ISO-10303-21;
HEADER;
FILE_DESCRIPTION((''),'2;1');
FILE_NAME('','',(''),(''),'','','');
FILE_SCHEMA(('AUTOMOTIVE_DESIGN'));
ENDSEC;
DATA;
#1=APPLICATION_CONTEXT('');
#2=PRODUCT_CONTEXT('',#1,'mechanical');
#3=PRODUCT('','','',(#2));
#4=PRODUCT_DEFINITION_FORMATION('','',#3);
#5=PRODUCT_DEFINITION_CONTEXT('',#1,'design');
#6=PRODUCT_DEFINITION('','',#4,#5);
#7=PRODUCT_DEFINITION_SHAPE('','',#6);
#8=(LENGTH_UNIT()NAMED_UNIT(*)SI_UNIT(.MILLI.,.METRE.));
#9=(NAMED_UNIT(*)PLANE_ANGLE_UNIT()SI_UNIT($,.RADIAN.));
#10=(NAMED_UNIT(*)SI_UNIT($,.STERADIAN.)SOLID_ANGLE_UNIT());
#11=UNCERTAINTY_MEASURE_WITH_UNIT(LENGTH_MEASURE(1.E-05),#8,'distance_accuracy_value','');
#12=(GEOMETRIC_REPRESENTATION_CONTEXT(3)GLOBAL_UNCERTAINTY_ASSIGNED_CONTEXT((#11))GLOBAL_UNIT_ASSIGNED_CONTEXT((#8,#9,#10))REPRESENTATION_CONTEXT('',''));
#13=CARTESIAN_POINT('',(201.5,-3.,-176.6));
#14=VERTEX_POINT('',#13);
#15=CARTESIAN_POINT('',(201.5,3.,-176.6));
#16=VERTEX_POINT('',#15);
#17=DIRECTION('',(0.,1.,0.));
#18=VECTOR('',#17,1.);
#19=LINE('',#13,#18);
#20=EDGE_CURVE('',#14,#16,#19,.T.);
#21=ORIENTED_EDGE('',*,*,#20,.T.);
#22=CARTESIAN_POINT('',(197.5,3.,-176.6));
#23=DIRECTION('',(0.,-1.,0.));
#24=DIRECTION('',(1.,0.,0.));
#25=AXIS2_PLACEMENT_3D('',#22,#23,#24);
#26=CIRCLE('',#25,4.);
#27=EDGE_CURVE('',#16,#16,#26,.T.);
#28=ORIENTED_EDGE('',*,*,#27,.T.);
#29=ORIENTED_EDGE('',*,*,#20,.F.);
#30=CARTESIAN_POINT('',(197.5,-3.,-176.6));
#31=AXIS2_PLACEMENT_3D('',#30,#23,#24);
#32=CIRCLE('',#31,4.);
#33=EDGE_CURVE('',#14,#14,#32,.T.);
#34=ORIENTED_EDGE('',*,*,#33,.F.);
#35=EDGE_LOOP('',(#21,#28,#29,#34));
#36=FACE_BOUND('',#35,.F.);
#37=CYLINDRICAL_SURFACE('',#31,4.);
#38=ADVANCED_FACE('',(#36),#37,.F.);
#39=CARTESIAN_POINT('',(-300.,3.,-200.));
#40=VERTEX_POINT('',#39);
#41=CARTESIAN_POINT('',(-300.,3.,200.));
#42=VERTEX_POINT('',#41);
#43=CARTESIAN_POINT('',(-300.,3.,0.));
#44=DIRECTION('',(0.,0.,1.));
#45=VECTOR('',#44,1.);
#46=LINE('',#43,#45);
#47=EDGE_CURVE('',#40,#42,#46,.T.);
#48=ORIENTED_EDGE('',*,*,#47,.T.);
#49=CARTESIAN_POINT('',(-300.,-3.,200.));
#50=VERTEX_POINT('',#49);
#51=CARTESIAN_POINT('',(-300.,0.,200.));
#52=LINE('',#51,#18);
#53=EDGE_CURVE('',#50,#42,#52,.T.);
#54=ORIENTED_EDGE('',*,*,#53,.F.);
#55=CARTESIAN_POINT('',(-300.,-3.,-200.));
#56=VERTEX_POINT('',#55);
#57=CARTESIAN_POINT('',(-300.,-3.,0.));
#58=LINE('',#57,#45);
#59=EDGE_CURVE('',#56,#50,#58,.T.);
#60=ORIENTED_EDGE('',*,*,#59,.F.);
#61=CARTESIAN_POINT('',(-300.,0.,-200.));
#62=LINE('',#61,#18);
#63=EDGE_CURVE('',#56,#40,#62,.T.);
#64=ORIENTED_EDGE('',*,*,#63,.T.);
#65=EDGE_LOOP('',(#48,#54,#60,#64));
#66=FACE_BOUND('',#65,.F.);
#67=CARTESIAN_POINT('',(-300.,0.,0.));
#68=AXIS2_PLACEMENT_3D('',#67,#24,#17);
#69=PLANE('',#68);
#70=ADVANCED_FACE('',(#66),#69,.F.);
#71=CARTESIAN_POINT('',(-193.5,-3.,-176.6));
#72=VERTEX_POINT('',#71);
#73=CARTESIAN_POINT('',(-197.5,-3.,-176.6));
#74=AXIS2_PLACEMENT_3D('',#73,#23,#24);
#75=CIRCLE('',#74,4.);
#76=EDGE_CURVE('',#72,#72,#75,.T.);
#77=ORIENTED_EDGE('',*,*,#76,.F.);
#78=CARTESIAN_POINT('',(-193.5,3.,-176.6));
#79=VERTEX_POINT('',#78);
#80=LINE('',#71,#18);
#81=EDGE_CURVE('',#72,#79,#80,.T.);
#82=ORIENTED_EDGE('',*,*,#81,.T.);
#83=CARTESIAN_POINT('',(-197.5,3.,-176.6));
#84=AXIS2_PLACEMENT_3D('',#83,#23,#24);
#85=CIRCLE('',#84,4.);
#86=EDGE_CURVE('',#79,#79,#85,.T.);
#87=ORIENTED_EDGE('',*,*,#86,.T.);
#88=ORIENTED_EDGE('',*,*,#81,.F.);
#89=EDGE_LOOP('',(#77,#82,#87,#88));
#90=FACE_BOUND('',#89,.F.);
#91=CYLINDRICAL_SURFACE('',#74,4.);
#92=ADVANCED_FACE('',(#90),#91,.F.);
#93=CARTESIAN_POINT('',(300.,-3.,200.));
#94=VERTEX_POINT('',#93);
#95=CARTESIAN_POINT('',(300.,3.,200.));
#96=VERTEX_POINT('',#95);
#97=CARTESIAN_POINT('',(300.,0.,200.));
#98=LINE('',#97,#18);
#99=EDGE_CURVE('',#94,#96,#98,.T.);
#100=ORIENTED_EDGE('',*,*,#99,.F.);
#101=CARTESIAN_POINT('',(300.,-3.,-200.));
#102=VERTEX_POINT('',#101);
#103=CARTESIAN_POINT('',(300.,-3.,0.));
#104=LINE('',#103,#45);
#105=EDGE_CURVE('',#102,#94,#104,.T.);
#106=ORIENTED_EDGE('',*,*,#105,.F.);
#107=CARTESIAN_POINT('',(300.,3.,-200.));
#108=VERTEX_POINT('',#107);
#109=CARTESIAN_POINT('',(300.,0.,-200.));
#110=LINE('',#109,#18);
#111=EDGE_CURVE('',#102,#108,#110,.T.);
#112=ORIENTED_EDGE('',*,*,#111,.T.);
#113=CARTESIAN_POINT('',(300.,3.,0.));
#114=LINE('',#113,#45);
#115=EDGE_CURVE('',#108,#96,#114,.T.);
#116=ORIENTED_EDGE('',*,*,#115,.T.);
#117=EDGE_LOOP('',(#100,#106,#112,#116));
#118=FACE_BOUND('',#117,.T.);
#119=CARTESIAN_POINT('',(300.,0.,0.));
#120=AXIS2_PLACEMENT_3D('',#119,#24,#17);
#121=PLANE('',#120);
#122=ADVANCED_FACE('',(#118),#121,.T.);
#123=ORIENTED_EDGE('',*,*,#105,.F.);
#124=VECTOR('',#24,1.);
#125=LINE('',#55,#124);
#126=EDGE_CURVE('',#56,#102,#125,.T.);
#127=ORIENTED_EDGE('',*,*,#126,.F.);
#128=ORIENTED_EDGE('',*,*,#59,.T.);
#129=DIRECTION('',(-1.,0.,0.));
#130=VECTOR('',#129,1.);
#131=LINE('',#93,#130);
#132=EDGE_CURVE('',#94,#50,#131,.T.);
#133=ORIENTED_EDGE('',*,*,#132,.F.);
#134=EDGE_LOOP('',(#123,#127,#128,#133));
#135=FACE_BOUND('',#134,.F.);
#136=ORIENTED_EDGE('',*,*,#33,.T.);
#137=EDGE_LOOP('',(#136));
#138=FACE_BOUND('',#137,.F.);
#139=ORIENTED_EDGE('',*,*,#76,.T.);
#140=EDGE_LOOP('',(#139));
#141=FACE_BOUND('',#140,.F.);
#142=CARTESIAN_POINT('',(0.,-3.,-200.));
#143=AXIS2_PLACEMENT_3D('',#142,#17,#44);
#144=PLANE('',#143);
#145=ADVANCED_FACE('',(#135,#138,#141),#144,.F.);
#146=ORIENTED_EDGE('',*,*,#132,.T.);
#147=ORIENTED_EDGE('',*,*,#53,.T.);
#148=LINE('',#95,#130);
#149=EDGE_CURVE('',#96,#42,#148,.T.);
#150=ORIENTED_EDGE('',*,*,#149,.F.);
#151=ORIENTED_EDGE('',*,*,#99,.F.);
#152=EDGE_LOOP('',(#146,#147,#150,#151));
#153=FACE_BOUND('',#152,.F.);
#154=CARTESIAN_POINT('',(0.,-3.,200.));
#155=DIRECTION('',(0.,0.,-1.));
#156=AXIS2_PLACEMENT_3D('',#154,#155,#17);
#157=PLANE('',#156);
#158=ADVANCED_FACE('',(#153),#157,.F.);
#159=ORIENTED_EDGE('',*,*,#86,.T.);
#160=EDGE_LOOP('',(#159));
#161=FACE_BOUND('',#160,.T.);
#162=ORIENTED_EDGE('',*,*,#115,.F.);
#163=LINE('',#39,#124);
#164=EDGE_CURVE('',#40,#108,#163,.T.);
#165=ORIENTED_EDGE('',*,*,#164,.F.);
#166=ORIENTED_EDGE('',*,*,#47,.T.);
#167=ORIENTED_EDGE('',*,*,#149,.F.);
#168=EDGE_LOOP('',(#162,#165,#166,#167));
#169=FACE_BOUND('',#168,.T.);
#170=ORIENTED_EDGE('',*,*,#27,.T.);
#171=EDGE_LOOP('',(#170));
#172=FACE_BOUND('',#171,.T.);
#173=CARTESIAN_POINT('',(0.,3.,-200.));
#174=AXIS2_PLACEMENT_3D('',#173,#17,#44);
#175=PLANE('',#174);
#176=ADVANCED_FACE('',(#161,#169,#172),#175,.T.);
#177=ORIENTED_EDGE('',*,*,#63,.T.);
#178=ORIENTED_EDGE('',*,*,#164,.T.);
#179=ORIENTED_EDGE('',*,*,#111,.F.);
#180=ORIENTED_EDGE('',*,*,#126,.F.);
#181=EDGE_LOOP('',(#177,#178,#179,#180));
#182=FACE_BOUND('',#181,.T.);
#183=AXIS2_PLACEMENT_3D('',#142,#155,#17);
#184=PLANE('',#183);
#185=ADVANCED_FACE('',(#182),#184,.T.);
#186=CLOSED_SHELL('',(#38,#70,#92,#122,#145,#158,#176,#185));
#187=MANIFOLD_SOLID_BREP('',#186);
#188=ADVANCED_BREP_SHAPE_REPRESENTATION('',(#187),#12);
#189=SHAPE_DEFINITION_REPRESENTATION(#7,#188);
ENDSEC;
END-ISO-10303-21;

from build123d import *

# Parameters (mm, degrees)
F0_W     = 6
F0_H     = 400
F1_DEPTH = 300
F2_R     = 4
F3_DEPTH = 6.001


with BuildPart() as f1:
    # F0 (on Right) → F1 (new body, symmetric)
    with BuildSketch(Plane.YZ):
        Rectangle(F0_W, F0_H)
    extrude(amount=F1_DEPTH, both=True)

    # F2 (on face) → F3 (cut, through all)
    with BuildSketch(Plane.XZ.offset(3)):
        with Locations((-197.5, -176.6)):
            Circle(F2_R)
        with Locations((197.5, -176.6)):
            Circle(F2_R)
    extrude(amount=-F3_DEPTH, mode=Mode.SUBTRACT)


solid = f1.part
